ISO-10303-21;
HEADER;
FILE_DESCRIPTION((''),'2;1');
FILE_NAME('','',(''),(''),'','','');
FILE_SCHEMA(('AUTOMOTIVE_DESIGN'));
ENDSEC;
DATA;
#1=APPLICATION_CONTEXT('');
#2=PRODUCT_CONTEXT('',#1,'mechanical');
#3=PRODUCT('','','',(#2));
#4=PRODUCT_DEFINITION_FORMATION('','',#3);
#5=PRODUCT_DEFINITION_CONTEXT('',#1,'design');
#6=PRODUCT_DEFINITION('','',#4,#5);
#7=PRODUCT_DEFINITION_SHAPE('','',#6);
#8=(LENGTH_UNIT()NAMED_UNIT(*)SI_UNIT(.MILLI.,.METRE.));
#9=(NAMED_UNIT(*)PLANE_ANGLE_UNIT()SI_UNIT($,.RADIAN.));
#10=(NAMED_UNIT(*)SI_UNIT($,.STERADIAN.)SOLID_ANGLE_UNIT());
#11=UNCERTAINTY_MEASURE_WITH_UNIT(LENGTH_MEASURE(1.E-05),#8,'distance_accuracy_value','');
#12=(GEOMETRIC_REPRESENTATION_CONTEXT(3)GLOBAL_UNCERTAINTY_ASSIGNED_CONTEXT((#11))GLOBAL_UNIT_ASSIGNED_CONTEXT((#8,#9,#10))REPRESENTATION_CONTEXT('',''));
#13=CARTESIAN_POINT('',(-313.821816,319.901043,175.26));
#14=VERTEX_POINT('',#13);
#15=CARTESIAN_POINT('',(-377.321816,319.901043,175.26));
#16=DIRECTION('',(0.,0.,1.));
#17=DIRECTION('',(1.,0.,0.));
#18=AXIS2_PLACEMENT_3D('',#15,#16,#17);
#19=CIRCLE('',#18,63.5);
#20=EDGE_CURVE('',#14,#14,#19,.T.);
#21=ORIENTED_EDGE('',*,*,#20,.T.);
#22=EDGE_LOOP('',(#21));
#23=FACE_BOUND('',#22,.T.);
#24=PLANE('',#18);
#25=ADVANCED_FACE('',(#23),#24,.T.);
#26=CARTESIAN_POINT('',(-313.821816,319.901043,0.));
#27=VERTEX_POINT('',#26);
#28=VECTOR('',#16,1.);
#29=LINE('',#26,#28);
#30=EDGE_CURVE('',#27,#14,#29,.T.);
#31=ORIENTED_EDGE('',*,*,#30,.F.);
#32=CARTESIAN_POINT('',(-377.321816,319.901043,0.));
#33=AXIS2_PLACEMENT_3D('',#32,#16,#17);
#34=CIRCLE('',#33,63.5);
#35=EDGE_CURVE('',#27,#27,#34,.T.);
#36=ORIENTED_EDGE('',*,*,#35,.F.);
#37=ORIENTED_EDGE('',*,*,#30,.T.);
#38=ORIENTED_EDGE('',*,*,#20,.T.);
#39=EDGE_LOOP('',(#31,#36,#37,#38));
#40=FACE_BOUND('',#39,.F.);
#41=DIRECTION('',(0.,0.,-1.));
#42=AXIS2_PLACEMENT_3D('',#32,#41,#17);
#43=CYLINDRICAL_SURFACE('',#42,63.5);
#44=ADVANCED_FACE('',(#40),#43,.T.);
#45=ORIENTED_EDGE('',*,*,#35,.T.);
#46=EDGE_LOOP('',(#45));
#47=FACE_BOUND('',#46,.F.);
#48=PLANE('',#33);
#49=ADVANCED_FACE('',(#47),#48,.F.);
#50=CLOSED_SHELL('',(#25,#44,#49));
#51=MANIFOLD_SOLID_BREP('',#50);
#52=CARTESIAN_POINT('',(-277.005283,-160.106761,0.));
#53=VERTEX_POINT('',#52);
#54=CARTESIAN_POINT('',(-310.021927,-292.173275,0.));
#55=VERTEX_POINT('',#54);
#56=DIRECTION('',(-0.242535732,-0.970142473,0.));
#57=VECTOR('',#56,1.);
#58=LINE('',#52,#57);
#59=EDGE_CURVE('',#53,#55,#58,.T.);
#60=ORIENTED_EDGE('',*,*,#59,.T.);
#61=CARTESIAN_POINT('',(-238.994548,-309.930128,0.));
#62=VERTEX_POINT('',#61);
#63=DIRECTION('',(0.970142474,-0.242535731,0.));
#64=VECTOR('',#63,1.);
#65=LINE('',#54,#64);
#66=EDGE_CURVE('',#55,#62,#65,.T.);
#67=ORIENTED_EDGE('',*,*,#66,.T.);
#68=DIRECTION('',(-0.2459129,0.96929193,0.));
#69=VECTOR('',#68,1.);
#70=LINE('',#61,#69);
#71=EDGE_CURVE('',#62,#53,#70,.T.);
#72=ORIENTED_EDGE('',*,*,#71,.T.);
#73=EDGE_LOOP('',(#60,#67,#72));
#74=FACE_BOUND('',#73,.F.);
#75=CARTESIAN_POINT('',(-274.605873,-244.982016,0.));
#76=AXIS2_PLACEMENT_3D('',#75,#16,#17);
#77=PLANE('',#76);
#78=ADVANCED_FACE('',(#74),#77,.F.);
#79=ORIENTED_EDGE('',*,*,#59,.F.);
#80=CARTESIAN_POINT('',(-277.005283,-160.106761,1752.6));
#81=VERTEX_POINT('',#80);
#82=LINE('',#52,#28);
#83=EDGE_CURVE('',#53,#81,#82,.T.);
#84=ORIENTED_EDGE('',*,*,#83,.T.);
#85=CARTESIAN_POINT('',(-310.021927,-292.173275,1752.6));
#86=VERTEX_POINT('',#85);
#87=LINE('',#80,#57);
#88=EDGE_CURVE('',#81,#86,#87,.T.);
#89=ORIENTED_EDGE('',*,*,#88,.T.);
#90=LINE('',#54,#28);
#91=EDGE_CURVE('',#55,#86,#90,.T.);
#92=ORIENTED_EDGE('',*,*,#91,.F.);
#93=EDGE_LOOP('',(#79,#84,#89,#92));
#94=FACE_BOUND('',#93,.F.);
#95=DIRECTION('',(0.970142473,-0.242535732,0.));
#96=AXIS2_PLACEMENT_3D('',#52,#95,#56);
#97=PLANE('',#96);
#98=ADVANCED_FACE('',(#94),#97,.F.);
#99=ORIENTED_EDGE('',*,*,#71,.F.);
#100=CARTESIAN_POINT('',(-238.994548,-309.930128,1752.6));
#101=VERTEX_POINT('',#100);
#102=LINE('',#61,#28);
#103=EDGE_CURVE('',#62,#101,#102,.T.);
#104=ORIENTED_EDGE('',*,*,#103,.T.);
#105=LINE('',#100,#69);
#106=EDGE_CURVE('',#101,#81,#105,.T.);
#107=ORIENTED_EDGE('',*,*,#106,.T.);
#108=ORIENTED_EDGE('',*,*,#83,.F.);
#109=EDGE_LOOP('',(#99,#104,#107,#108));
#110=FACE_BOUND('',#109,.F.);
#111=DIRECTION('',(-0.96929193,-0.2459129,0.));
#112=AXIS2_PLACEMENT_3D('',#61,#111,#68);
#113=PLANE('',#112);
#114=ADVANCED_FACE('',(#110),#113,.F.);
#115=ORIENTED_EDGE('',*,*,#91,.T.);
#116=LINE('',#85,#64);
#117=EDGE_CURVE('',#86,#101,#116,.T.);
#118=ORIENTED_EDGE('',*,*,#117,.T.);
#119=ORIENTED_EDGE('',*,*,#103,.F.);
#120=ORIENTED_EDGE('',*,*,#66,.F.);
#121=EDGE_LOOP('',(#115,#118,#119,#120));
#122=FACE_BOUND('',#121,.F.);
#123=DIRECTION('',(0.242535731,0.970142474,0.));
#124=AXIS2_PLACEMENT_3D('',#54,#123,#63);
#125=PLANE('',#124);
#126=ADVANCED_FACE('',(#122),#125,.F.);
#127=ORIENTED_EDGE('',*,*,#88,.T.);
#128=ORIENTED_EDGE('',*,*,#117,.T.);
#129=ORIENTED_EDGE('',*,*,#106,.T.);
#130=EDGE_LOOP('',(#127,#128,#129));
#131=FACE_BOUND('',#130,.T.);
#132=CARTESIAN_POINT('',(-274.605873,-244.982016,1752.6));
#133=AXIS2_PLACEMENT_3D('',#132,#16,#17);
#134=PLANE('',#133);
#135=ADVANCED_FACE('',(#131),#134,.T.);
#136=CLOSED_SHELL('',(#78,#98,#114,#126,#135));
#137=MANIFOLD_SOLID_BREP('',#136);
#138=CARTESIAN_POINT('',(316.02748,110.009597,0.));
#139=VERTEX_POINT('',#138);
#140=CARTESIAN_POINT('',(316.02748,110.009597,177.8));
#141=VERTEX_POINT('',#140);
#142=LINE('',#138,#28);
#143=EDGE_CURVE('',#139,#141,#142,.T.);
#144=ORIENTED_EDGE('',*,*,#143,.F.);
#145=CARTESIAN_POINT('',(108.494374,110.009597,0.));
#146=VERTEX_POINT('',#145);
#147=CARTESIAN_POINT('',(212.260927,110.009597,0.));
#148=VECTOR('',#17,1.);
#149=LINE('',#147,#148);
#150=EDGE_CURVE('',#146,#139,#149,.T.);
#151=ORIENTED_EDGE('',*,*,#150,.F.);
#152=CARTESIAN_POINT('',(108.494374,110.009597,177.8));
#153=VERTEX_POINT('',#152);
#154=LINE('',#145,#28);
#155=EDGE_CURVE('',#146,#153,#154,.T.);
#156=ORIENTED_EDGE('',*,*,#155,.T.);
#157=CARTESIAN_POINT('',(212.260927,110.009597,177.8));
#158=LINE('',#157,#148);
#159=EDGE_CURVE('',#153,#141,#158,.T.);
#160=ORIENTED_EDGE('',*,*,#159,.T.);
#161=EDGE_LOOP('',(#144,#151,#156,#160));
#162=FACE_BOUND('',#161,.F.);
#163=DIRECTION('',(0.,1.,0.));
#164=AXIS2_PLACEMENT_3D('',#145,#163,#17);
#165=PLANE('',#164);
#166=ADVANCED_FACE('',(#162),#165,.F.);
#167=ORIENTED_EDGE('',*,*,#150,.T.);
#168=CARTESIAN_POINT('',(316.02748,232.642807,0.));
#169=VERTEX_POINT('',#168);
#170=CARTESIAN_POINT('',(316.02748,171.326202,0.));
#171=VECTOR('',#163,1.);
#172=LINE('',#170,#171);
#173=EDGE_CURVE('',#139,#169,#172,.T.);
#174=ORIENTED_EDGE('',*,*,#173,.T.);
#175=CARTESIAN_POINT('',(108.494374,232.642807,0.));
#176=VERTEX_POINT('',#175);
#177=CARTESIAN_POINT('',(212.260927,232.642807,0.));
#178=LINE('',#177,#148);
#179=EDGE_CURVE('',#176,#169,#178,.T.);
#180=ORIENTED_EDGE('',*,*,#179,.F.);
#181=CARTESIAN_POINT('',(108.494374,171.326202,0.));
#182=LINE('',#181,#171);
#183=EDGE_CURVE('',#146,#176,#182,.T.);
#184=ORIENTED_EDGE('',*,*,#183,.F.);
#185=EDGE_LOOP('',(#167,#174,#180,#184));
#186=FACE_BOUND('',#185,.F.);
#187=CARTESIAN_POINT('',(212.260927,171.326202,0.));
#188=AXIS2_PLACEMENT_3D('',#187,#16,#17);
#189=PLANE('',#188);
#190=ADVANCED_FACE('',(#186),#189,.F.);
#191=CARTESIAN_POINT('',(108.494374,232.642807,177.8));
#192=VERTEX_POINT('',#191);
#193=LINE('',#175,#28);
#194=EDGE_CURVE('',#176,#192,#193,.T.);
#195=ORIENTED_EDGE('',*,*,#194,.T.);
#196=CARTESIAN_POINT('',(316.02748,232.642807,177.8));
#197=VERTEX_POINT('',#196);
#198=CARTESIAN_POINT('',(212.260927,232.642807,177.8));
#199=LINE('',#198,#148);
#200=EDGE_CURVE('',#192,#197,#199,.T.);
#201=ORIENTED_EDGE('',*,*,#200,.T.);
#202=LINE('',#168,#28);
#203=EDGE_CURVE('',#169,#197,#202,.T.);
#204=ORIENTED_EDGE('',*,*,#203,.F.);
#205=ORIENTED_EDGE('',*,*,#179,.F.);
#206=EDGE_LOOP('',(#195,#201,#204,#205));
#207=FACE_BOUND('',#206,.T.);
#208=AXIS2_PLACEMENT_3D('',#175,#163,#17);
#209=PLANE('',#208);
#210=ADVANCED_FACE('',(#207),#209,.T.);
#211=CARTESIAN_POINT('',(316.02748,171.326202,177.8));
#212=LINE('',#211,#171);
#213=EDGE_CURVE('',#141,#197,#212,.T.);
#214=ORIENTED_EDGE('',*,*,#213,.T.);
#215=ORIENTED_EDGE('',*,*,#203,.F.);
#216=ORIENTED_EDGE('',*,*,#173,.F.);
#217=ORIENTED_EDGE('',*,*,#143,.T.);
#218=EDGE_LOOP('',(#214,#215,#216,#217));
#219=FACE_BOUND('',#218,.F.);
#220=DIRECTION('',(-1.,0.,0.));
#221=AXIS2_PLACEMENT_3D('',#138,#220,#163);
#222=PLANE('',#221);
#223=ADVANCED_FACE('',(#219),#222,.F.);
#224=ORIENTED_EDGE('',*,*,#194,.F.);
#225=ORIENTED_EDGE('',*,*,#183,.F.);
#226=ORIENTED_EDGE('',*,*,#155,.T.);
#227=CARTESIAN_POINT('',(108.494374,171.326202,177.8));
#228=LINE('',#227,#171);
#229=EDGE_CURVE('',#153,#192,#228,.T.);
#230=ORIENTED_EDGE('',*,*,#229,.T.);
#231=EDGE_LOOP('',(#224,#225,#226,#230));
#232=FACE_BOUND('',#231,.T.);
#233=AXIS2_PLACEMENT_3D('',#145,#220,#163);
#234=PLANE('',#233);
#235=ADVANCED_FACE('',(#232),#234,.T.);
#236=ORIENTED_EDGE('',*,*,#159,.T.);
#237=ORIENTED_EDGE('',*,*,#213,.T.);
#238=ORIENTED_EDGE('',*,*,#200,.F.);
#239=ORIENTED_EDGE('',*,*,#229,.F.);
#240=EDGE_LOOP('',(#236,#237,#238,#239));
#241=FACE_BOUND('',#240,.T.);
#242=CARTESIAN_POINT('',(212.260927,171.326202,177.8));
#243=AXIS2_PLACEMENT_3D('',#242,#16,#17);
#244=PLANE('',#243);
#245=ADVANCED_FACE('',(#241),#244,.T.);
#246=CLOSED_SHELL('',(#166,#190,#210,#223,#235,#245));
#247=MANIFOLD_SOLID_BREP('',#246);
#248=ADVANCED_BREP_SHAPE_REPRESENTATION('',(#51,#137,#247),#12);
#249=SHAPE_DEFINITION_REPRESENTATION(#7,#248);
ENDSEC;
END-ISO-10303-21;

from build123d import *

# Parameters (mm, degrees)
F0_R     = 63.5
F1_DEPTH = 175.26
F0_W     = 207.533106
F0_H     = 122.63321
F2_DEPTH = 177.8
F3_DEPTH = 1752.6


with BuildPart() as f1:
    # F0 (on Top) → F1 (new body)
    with BuildSketch(Plane.XY):
        with Locations((-377.321816, 319.901043)):
            Circle(F0_R)
    extrude(amount=F1_DEPTH)


with BuildPart() as f2:
    # F0 (on Top) → F2 (new body)
    with BuildSketch(Plane.XY):
        with Locations((212.260927, 171.326202)):
            Rectangle(F0_W, F0_H)
    extrude(amount=F2_DEPTH)


with BuildPart() as f3:
    # F0 (on Top) → F3 (new body)
    with BuildSketch(Plane.XY):
        Polygon((-238.994548, -309.930128), (-277.005283, -160.106761), (-310.021927, -292.173275), align=None)
    extrude(amount=F3_DEPTH)


solid = Compound([f1.part, f2.part, f3.part])
